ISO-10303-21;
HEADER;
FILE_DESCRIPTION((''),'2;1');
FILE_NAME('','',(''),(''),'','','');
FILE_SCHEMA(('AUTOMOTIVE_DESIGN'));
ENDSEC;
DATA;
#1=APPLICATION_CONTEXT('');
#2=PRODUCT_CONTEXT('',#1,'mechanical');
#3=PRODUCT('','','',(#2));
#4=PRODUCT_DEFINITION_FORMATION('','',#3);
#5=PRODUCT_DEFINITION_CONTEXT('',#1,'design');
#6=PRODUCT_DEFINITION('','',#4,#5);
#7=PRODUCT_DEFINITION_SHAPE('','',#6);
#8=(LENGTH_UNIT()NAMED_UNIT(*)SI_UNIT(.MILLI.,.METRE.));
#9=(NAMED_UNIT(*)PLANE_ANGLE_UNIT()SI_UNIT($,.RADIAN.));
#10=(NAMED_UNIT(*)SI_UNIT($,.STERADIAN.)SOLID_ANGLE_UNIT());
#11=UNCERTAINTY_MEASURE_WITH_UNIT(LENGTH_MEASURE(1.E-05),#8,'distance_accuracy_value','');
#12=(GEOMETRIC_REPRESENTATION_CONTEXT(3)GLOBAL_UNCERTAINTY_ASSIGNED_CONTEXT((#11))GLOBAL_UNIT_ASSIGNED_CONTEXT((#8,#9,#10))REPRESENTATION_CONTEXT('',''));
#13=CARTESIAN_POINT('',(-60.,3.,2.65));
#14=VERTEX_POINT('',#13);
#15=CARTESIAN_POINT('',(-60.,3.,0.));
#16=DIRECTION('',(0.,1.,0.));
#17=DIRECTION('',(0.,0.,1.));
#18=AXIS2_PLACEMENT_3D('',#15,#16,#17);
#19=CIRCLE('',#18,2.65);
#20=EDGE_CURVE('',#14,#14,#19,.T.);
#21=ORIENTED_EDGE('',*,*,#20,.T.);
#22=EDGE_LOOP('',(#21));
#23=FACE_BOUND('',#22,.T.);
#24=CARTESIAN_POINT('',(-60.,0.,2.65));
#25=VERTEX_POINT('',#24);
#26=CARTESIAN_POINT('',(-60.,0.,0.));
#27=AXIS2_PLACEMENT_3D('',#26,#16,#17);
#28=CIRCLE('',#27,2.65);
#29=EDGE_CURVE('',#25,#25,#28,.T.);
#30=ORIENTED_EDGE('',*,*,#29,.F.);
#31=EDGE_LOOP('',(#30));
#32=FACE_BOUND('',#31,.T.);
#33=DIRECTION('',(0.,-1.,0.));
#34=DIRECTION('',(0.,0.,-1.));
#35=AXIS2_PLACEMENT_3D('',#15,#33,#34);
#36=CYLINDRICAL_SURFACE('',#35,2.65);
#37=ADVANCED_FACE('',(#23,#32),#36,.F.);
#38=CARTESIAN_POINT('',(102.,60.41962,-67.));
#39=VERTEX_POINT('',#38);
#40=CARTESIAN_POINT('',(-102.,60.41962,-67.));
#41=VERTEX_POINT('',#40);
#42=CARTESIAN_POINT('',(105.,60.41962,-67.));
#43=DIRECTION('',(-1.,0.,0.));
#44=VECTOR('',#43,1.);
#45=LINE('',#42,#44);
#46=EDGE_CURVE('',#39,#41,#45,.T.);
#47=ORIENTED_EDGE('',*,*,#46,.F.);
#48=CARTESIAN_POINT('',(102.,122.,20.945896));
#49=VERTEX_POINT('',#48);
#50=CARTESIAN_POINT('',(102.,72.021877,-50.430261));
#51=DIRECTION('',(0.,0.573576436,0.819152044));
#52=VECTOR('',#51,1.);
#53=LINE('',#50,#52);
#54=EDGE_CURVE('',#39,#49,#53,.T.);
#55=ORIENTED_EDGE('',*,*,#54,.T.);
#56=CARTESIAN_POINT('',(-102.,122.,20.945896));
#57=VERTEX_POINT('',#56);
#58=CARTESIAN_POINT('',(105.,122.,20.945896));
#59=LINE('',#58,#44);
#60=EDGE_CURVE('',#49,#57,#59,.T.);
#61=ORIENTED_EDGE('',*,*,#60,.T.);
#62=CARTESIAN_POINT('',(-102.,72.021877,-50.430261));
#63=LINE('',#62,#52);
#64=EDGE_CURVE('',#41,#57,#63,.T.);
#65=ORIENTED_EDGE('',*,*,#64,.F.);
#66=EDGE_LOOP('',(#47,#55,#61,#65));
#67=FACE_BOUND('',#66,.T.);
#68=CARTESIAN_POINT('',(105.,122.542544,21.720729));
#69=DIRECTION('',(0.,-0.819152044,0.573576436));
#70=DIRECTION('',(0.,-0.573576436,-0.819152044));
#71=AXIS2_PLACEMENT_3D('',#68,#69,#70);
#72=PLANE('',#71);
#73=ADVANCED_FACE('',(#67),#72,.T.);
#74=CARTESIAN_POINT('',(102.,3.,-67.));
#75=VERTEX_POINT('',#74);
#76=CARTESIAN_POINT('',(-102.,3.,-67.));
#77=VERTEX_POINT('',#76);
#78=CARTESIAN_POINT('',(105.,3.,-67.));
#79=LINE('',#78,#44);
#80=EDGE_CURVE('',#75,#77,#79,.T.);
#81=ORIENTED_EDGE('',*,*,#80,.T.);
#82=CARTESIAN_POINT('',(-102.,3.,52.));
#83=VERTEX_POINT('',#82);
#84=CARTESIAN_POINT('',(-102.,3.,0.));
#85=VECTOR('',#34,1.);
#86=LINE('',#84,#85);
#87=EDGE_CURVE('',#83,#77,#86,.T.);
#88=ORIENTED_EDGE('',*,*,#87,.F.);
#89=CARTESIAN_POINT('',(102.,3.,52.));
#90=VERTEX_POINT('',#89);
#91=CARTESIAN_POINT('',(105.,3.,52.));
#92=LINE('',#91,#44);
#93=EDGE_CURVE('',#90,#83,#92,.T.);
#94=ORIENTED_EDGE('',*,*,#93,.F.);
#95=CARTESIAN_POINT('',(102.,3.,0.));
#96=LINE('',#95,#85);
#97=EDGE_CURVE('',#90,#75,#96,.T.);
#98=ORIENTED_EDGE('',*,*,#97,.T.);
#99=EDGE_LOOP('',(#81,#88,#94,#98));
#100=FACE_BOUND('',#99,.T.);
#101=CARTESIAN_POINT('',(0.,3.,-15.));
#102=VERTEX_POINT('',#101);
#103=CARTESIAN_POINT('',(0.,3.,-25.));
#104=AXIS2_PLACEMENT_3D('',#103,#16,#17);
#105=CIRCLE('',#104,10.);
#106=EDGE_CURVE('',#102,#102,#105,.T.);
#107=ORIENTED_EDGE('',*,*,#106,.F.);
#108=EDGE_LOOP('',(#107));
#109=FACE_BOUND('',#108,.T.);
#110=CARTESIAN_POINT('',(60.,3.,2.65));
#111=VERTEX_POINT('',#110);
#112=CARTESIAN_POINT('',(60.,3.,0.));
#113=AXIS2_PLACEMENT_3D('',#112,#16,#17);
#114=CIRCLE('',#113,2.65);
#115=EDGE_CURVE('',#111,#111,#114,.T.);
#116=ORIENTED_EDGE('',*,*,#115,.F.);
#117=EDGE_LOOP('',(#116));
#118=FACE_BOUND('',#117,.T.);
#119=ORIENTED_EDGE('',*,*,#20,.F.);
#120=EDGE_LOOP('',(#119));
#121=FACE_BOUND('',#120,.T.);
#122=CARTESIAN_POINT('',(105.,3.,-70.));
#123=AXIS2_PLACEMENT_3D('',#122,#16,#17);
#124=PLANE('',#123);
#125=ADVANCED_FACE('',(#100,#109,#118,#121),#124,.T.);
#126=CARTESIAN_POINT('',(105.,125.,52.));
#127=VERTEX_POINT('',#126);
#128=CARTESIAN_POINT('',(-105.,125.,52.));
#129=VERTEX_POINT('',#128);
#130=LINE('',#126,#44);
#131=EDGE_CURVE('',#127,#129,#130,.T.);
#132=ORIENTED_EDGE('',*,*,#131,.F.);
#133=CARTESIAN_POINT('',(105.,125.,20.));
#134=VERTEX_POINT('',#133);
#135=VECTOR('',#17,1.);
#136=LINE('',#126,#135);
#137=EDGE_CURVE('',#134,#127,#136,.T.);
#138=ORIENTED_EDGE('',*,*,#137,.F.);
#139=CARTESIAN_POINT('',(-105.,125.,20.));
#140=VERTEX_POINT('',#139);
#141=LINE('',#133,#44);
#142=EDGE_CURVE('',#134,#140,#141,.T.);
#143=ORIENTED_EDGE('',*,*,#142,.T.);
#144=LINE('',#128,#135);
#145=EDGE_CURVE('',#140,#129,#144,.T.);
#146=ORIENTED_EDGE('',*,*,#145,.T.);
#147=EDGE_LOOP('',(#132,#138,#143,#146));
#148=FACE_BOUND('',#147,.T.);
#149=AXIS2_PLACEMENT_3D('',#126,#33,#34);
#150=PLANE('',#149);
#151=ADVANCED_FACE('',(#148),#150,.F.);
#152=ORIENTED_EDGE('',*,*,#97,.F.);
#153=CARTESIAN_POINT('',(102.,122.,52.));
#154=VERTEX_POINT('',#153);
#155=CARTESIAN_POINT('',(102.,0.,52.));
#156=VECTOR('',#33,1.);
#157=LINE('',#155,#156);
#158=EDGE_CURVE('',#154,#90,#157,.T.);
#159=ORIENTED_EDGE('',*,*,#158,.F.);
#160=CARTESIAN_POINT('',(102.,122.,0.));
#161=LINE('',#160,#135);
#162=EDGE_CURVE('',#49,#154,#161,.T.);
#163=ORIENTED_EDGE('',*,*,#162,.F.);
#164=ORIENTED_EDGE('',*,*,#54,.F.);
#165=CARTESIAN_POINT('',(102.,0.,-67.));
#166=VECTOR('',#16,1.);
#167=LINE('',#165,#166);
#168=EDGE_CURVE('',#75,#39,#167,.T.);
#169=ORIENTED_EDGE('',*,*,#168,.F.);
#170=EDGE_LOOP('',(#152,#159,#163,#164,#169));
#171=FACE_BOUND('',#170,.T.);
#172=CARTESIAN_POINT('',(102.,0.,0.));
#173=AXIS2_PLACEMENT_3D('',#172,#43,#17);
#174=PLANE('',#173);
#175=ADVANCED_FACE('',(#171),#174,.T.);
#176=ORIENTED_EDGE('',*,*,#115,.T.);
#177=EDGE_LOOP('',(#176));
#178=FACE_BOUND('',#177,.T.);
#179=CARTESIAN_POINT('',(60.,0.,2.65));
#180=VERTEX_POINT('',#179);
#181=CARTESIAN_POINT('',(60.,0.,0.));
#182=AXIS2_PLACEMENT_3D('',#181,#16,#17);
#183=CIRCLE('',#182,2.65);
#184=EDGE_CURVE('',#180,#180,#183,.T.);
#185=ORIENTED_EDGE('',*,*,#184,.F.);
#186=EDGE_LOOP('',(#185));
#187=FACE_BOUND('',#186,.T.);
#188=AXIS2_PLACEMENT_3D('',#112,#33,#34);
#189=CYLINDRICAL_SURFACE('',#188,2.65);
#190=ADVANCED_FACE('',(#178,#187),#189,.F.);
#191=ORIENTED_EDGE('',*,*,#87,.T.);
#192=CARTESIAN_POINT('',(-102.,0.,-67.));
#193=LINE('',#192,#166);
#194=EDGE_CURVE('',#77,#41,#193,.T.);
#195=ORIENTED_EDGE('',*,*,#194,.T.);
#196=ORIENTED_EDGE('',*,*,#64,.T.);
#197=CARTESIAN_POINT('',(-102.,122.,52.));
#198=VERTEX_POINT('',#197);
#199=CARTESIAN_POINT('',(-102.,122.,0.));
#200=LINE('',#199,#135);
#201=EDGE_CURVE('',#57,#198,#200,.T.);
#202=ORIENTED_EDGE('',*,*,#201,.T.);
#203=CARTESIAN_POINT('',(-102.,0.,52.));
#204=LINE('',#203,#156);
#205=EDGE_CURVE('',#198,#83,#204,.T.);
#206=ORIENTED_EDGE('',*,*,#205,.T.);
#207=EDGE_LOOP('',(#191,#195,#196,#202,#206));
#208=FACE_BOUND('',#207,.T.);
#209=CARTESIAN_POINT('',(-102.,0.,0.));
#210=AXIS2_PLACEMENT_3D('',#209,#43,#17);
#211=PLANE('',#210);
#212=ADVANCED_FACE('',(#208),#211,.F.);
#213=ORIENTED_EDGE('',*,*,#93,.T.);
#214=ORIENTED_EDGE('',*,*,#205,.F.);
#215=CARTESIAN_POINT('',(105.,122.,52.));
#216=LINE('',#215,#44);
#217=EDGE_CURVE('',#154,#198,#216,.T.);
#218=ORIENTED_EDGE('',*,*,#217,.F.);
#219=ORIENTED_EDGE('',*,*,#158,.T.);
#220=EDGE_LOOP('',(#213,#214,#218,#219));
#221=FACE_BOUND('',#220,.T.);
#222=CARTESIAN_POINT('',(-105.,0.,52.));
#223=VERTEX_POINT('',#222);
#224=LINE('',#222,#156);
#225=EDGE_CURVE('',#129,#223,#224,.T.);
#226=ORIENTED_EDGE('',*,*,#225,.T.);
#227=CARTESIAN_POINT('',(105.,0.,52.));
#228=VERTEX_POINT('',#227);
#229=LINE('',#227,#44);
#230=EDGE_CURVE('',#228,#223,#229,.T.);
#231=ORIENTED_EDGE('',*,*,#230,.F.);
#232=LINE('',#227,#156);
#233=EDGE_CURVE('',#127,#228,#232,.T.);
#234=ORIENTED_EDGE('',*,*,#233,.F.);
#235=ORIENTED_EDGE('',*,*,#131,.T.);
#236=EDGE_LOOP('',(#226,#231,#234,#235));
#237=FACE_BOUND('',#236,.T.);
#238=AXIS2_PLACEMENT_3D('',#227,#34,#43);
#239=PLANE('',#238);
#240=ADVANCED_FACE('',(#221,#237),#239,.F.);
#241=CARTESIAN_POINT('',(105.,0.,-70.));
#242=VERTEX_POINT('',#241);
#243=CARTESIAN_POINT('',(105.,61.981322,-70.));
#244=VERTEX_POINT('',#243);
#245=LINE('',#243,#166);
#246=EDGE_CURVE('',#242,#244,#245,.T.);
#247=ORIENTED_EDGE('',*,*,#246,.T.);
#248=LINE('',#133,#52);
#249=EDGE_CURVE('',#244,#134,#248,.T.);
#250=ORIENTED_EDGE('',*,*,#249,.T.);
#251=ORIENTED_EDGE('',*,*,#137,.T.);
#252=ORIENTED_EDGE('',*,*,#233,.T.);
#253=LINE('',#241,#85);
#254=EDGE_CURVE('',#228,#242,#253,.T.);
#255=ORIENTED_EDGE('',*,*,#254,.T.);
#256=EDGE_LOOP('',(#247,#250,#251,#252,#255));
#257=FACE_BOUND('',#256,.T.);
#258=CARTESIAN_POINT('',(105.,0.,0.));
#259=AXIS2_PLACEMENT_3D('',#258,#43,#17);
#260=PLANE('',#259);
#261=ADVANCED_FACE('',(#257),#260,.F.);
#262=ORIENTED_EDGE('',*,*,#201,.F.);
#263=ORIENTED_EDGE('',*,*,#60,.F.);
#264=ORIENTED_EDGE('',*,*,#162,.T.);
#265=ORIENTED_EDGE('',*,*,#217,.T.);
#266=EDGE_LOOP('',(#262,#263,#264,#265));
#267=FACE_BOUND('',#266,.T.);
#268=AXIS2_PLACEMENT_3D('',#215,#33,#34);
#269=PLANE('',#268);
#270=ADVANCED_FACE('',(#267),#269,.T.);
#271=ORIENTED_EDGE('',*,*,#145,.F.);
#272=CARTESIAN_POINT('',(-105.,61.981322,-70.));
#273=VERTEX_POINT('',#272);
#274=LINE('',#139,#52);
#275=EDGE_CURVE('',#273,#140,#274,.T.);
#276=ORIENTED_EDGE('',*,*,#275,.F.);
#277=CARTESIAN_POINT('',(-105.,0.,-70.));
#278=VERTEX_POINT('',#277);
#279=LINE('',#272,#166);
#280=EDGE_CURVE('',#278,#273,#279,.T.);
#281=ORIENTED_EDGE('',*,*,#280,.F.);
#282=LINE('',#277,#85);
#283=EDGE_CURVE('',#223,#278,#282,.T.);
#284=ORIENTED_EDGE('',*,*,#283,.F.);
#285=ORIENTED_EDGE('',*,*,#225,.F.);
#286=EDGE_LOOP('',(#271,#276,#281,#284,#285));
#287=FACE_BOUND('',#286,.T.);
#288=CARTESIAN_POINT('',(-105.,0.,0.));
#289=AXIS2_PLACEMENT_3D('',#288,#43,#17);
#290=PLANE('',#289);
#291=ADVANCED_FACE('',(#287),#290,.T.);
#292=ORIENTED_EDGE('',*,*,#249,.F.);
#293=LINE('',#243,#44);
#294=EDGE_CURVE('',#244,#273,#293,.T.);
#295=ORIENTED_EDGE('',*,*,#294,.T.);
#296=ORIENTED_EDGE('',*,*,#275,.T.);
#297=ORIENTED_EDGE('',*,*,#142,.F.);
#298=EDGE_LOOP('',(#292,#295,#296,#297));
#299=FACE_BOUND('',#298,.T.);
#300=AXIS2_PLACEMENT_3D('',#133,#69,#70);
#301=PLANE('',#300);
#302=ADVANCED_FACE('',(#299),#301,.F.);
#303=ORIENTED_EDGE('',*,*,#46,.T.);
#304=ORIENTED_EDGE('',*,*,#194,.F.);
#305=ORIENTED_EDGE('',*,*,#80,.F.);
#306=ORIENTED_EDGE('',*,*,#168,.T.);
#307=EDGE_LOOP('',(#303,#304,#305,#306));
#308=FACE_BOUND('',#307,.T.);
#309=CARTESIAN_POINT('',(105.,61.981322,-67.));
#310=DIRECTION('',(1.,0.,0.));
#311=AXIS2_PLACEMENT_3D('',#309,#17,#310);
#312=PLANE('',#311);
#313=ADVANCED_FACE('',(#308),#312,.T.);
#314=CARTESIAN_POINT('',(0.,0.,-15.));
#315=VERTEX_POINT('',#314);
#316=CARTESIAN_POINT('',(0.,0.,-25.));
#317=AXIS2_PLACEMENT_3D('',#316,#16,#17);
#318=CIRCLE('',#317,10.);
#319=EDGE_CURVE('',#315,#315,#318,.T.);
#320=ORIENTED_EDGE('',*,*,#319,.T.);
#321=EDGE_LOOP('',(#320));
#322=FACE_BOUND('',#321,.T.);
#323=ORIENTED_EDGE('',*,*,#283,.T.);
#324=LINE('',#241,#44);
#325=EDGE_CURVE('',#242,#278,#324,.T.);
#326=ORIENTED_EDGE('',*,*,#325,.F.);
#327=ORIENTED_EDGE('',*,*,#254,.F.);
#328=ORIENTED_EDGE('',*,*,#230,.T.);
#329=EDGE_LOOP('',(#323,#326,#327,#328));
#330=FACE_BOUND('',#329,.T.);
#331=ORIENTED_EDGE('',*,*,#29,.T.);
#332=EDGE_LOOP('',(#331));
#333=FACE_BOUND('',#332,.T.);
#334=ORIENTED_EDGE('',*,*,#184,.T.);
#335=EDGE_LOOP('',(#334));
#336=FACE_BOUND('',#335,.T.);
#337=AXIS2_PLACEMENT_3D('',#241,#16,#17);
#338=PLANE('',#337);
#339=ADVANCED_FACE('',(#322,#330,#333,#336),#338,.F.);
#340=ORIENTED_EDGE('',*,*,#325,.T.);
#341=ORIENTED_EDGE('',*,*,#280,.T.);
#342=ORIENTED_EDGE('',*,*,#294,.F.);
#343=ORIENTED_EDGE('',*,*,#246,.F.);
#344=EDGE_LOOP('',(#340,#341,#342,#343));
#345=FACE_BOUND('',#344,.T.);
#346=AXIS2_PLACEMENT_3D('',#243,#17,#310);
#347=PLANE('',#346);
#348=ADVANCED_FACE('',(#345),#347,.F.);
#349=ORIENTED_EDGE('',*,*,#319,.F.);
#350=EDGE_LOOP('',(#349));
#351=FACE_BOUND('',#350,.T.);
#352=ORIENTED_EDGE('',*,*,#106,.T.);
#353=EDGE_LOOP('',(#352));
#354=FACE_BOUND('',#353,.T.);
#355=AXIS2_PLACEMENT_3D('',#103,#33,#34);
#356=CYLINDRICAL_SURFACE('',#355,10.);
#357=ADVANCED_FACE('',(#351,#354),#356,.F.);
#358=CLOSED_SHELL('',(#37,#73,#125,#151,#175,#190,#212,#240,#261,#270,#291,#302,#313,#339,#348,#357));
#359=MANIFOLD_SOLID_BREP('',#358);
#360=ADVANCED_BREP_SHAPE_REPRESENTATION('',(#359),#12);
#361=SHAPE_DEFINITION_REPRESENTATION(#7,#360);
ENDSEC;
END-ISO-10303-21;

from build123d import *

# Parameters (mm, degrees)
EX_BODY_DEPTH        = 210
SHELL_T              = -3
SK_FLOORHOLES_R      = 2.65
SK_FLOORHOLES_R_2    = 10
CUT_FLOORHOLES_DEPTH = 3


with BuildPart() as part:
    # SK_Body → EX_Body (new body)
    with BuildSketch(Plane(origin=(-105, 0, 0), x_dir=(0, 0, -1), z_dir=(1, 0, 0))):
        Polygon((70, 0), (-52, 0), (-52, 125), (-20, 125), (70, 61.981321561), align=None)
    extrude(amount=EX_BODY_DEPTH)

    # Shell
    shell_openings = [part.faces().sort_by_distance(p)[0] for p in [
        (0, 62.5, 52),
    ]]
    offset(amount=SHELL_T, openings=shell_openings, kind=Kind.INTERSECTION)

    # SK_FloorHoles → CUT_FloorHoles (cut)
    with BuildSketch(Plane(origin=(0, 0, 0), x_dir=(1, 0, 0), z_dir=(0, 1, 0))):
        with Locations((60, 0)):
            Circle(SK_FLOORHOLES_R)
        with Locations((-60, 0)):
            Circle(SK_FLOORHOLES_R)
        with Locations((0, 25)):
            Circle(SK_FLOORHOLES_R_2)
    extrude(amount=CUT_FLOORHOLES_DEPTH, mode=Mode.SUBTRACT)


solid = part.part
